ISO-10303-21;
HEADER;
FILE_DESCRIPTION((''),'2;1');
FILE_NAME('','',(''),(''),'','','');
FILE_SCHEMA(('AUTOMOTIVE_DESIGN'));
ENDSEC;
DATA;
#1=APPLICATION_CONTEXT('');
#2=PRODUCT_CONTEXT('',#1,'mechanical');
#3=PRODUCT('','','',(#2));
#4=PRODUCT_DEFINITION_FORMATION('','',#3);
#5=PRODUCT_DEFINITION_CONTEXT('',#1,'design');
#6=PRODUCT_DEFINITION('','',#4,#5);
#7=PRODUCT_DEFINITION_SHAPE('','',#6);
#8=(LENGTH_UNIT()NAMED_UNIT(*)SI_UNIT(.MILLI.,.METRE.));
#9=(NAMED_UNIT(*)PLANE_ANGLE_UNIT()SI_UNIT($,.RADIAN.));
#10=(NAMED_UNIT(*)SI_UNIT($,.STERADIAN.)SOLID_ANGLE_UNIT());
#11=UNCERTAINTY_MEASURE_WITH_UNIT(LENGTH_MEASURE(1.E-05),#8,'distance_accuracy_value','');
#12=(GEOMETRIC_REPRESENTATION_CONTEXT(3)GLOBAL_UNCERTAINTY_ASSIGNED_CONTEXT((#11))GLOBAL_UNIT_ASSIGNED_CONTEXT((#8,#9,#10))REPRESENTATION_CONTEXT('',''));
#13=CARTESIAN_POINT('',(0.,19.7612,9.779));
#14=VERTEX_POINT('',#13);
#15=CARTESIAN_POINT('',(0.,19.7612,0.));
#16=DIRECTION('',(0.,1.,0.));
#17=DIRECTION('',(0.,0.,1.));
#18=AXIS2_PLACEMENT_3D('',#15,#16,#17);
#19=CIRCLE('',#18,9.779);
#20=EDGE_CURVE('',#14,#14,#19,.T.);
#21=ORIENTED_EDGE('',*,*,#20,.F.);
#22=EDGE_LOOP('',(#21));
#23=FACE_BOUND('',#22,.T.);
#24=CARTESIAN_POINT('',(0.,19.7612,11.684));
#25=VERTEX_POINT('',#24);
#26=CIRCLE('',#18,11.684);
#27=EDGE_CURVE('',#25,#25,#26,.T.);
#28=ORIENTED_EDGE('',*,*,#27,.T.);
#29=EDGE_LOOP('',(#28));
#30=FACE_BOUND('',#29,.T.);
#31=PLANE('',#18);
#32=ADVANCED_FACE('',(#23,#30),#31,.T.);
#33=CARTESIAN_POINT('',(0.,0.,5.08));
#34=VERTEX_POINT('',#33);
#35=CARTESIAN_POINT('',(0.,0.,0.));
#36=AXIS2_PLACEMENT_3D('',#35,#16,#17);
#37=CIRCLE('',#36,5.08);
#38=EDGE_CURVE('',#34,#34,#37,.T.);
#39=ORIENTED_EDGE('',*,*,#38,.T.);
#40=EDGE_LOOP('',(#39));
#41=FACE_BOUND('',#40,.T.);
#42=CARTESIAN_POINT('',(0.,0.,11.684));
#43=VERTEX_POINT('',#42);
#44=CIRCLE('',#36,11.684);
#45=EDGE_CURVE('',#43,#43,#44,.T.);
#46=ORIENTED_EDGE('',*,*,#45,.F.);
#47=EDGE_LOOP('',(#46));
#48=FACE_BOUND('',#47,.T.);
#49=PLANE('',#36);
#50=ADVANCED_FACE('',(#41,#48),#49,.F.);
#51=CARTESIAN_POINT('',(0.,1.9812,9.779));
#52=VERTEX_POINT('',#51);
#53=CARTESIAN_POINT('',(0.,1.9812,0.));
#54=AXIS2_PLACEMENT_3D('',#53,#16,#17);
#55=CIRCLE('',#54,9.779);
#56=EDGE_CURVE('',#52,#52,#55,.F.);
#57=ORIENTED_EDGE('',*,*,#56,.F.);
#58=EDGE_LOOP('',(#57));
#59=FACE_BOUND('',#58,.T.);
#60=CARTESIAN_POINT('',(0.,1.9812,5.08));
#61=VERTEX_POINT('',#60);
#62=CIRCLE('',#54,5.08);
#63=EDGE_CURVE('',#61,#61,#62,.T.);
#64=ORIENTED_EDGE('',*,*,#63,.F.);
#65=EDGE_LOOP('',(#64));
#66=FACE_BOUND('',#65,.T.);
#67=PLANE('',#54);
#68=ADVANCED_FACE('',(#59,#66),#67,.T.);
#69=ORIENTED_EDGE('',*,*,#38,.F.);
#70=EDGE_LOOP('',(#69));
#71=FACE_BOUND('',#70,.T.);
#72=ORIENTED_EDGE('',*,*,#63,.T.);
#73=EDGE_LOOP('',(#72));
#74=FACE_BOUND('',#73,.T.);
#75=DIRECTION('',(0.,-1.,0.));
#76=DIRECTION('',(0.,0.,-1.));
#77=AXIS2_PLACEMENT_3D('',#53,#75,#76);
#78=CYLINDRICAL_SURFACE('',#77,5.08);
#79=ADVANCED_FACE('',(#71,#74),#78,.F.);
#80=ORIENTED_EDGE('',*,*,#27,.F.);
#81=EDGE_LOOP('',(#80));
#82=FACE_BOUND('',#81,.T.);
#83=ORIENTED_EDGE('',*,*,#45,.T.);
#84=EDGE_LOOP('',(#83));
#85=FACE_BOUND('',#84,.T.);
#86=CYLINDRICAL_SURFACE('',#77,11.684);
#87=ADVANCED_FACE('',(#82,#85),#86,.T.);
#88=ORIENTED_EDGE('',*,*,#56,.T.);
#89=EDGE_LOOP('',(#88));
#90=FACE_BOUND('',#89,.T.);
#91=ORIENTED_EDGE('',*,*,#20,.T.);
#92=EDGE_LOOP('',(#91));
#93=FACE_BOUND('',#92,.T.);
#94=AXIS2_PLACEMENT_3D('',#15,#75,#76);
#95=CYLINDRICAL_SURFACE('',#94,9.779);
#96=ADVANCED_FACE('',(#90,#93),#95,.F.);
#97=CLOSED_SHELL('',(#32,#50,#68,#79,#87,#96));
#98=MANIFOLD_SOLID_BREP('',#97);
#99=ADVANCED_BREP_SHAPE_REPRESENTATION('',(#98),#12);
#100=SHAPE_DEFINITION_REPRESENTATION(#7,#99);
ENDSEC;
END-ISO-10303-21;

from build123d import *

# Parameters (mm, degrees)
SKETCH2_R           = 11.684
SKETCH2_R_2         = 9.652
SKETCH2_R_3         = 5.08
BOSS_EXTRUDE2_DEPTH = 1.9812
SKETCH4_R           = 11.684
SKETCH4_R_2         = 9.779
BOSS_EXTRUDE3_DEPTH = 17.78


with BuildPart() as part:
    # Sketch2 → Boss-Extrude2 (new body)
    with BuildSketch(Plane(origin=(0, 0, 0), x_dir=(1, 0, 0), z_dir=(0, 1, 0))):
        with Locations(Location((0, 0, 0), (0, 0, 270))):
            Circle(SKETCH2_R)
        with Locations((0, 0.290686297)):
            Circle(SKETCH2_R_2, mode=Mode.SUBTRACT)
        with Locations((0, 0.290686297)):
            Circle(SKETCH2_R_2)
        with Locations(Location((0, 0, 0), (0, 0, 270))):
            Circle(SKETCH2_R_3, mode=Mode.SUBTRACT)
    extrude(amount=BOSS_EXTRUDE2_DEPTH)

    # Sketch4 → Boss-Extrude3 (add)
    with BuildSketch(Plane(origin=(0, 1.9812, 0), x_dir=(1, 0, 0), z_dir=(0, 1, 0))):
        with Locations(Location((0, 0, 0), (0, 0, 270))):
            Circle(SKETCH4_R)
        with Locations(Location((0, 0, 0), (0, 0, 270))):
            Circle(SKETCH4_R_2, mode=Mode.SUBTRACT)
    extrude(amount=BOSS_EXTRUDE3_DEPTH)


solid = part.part
